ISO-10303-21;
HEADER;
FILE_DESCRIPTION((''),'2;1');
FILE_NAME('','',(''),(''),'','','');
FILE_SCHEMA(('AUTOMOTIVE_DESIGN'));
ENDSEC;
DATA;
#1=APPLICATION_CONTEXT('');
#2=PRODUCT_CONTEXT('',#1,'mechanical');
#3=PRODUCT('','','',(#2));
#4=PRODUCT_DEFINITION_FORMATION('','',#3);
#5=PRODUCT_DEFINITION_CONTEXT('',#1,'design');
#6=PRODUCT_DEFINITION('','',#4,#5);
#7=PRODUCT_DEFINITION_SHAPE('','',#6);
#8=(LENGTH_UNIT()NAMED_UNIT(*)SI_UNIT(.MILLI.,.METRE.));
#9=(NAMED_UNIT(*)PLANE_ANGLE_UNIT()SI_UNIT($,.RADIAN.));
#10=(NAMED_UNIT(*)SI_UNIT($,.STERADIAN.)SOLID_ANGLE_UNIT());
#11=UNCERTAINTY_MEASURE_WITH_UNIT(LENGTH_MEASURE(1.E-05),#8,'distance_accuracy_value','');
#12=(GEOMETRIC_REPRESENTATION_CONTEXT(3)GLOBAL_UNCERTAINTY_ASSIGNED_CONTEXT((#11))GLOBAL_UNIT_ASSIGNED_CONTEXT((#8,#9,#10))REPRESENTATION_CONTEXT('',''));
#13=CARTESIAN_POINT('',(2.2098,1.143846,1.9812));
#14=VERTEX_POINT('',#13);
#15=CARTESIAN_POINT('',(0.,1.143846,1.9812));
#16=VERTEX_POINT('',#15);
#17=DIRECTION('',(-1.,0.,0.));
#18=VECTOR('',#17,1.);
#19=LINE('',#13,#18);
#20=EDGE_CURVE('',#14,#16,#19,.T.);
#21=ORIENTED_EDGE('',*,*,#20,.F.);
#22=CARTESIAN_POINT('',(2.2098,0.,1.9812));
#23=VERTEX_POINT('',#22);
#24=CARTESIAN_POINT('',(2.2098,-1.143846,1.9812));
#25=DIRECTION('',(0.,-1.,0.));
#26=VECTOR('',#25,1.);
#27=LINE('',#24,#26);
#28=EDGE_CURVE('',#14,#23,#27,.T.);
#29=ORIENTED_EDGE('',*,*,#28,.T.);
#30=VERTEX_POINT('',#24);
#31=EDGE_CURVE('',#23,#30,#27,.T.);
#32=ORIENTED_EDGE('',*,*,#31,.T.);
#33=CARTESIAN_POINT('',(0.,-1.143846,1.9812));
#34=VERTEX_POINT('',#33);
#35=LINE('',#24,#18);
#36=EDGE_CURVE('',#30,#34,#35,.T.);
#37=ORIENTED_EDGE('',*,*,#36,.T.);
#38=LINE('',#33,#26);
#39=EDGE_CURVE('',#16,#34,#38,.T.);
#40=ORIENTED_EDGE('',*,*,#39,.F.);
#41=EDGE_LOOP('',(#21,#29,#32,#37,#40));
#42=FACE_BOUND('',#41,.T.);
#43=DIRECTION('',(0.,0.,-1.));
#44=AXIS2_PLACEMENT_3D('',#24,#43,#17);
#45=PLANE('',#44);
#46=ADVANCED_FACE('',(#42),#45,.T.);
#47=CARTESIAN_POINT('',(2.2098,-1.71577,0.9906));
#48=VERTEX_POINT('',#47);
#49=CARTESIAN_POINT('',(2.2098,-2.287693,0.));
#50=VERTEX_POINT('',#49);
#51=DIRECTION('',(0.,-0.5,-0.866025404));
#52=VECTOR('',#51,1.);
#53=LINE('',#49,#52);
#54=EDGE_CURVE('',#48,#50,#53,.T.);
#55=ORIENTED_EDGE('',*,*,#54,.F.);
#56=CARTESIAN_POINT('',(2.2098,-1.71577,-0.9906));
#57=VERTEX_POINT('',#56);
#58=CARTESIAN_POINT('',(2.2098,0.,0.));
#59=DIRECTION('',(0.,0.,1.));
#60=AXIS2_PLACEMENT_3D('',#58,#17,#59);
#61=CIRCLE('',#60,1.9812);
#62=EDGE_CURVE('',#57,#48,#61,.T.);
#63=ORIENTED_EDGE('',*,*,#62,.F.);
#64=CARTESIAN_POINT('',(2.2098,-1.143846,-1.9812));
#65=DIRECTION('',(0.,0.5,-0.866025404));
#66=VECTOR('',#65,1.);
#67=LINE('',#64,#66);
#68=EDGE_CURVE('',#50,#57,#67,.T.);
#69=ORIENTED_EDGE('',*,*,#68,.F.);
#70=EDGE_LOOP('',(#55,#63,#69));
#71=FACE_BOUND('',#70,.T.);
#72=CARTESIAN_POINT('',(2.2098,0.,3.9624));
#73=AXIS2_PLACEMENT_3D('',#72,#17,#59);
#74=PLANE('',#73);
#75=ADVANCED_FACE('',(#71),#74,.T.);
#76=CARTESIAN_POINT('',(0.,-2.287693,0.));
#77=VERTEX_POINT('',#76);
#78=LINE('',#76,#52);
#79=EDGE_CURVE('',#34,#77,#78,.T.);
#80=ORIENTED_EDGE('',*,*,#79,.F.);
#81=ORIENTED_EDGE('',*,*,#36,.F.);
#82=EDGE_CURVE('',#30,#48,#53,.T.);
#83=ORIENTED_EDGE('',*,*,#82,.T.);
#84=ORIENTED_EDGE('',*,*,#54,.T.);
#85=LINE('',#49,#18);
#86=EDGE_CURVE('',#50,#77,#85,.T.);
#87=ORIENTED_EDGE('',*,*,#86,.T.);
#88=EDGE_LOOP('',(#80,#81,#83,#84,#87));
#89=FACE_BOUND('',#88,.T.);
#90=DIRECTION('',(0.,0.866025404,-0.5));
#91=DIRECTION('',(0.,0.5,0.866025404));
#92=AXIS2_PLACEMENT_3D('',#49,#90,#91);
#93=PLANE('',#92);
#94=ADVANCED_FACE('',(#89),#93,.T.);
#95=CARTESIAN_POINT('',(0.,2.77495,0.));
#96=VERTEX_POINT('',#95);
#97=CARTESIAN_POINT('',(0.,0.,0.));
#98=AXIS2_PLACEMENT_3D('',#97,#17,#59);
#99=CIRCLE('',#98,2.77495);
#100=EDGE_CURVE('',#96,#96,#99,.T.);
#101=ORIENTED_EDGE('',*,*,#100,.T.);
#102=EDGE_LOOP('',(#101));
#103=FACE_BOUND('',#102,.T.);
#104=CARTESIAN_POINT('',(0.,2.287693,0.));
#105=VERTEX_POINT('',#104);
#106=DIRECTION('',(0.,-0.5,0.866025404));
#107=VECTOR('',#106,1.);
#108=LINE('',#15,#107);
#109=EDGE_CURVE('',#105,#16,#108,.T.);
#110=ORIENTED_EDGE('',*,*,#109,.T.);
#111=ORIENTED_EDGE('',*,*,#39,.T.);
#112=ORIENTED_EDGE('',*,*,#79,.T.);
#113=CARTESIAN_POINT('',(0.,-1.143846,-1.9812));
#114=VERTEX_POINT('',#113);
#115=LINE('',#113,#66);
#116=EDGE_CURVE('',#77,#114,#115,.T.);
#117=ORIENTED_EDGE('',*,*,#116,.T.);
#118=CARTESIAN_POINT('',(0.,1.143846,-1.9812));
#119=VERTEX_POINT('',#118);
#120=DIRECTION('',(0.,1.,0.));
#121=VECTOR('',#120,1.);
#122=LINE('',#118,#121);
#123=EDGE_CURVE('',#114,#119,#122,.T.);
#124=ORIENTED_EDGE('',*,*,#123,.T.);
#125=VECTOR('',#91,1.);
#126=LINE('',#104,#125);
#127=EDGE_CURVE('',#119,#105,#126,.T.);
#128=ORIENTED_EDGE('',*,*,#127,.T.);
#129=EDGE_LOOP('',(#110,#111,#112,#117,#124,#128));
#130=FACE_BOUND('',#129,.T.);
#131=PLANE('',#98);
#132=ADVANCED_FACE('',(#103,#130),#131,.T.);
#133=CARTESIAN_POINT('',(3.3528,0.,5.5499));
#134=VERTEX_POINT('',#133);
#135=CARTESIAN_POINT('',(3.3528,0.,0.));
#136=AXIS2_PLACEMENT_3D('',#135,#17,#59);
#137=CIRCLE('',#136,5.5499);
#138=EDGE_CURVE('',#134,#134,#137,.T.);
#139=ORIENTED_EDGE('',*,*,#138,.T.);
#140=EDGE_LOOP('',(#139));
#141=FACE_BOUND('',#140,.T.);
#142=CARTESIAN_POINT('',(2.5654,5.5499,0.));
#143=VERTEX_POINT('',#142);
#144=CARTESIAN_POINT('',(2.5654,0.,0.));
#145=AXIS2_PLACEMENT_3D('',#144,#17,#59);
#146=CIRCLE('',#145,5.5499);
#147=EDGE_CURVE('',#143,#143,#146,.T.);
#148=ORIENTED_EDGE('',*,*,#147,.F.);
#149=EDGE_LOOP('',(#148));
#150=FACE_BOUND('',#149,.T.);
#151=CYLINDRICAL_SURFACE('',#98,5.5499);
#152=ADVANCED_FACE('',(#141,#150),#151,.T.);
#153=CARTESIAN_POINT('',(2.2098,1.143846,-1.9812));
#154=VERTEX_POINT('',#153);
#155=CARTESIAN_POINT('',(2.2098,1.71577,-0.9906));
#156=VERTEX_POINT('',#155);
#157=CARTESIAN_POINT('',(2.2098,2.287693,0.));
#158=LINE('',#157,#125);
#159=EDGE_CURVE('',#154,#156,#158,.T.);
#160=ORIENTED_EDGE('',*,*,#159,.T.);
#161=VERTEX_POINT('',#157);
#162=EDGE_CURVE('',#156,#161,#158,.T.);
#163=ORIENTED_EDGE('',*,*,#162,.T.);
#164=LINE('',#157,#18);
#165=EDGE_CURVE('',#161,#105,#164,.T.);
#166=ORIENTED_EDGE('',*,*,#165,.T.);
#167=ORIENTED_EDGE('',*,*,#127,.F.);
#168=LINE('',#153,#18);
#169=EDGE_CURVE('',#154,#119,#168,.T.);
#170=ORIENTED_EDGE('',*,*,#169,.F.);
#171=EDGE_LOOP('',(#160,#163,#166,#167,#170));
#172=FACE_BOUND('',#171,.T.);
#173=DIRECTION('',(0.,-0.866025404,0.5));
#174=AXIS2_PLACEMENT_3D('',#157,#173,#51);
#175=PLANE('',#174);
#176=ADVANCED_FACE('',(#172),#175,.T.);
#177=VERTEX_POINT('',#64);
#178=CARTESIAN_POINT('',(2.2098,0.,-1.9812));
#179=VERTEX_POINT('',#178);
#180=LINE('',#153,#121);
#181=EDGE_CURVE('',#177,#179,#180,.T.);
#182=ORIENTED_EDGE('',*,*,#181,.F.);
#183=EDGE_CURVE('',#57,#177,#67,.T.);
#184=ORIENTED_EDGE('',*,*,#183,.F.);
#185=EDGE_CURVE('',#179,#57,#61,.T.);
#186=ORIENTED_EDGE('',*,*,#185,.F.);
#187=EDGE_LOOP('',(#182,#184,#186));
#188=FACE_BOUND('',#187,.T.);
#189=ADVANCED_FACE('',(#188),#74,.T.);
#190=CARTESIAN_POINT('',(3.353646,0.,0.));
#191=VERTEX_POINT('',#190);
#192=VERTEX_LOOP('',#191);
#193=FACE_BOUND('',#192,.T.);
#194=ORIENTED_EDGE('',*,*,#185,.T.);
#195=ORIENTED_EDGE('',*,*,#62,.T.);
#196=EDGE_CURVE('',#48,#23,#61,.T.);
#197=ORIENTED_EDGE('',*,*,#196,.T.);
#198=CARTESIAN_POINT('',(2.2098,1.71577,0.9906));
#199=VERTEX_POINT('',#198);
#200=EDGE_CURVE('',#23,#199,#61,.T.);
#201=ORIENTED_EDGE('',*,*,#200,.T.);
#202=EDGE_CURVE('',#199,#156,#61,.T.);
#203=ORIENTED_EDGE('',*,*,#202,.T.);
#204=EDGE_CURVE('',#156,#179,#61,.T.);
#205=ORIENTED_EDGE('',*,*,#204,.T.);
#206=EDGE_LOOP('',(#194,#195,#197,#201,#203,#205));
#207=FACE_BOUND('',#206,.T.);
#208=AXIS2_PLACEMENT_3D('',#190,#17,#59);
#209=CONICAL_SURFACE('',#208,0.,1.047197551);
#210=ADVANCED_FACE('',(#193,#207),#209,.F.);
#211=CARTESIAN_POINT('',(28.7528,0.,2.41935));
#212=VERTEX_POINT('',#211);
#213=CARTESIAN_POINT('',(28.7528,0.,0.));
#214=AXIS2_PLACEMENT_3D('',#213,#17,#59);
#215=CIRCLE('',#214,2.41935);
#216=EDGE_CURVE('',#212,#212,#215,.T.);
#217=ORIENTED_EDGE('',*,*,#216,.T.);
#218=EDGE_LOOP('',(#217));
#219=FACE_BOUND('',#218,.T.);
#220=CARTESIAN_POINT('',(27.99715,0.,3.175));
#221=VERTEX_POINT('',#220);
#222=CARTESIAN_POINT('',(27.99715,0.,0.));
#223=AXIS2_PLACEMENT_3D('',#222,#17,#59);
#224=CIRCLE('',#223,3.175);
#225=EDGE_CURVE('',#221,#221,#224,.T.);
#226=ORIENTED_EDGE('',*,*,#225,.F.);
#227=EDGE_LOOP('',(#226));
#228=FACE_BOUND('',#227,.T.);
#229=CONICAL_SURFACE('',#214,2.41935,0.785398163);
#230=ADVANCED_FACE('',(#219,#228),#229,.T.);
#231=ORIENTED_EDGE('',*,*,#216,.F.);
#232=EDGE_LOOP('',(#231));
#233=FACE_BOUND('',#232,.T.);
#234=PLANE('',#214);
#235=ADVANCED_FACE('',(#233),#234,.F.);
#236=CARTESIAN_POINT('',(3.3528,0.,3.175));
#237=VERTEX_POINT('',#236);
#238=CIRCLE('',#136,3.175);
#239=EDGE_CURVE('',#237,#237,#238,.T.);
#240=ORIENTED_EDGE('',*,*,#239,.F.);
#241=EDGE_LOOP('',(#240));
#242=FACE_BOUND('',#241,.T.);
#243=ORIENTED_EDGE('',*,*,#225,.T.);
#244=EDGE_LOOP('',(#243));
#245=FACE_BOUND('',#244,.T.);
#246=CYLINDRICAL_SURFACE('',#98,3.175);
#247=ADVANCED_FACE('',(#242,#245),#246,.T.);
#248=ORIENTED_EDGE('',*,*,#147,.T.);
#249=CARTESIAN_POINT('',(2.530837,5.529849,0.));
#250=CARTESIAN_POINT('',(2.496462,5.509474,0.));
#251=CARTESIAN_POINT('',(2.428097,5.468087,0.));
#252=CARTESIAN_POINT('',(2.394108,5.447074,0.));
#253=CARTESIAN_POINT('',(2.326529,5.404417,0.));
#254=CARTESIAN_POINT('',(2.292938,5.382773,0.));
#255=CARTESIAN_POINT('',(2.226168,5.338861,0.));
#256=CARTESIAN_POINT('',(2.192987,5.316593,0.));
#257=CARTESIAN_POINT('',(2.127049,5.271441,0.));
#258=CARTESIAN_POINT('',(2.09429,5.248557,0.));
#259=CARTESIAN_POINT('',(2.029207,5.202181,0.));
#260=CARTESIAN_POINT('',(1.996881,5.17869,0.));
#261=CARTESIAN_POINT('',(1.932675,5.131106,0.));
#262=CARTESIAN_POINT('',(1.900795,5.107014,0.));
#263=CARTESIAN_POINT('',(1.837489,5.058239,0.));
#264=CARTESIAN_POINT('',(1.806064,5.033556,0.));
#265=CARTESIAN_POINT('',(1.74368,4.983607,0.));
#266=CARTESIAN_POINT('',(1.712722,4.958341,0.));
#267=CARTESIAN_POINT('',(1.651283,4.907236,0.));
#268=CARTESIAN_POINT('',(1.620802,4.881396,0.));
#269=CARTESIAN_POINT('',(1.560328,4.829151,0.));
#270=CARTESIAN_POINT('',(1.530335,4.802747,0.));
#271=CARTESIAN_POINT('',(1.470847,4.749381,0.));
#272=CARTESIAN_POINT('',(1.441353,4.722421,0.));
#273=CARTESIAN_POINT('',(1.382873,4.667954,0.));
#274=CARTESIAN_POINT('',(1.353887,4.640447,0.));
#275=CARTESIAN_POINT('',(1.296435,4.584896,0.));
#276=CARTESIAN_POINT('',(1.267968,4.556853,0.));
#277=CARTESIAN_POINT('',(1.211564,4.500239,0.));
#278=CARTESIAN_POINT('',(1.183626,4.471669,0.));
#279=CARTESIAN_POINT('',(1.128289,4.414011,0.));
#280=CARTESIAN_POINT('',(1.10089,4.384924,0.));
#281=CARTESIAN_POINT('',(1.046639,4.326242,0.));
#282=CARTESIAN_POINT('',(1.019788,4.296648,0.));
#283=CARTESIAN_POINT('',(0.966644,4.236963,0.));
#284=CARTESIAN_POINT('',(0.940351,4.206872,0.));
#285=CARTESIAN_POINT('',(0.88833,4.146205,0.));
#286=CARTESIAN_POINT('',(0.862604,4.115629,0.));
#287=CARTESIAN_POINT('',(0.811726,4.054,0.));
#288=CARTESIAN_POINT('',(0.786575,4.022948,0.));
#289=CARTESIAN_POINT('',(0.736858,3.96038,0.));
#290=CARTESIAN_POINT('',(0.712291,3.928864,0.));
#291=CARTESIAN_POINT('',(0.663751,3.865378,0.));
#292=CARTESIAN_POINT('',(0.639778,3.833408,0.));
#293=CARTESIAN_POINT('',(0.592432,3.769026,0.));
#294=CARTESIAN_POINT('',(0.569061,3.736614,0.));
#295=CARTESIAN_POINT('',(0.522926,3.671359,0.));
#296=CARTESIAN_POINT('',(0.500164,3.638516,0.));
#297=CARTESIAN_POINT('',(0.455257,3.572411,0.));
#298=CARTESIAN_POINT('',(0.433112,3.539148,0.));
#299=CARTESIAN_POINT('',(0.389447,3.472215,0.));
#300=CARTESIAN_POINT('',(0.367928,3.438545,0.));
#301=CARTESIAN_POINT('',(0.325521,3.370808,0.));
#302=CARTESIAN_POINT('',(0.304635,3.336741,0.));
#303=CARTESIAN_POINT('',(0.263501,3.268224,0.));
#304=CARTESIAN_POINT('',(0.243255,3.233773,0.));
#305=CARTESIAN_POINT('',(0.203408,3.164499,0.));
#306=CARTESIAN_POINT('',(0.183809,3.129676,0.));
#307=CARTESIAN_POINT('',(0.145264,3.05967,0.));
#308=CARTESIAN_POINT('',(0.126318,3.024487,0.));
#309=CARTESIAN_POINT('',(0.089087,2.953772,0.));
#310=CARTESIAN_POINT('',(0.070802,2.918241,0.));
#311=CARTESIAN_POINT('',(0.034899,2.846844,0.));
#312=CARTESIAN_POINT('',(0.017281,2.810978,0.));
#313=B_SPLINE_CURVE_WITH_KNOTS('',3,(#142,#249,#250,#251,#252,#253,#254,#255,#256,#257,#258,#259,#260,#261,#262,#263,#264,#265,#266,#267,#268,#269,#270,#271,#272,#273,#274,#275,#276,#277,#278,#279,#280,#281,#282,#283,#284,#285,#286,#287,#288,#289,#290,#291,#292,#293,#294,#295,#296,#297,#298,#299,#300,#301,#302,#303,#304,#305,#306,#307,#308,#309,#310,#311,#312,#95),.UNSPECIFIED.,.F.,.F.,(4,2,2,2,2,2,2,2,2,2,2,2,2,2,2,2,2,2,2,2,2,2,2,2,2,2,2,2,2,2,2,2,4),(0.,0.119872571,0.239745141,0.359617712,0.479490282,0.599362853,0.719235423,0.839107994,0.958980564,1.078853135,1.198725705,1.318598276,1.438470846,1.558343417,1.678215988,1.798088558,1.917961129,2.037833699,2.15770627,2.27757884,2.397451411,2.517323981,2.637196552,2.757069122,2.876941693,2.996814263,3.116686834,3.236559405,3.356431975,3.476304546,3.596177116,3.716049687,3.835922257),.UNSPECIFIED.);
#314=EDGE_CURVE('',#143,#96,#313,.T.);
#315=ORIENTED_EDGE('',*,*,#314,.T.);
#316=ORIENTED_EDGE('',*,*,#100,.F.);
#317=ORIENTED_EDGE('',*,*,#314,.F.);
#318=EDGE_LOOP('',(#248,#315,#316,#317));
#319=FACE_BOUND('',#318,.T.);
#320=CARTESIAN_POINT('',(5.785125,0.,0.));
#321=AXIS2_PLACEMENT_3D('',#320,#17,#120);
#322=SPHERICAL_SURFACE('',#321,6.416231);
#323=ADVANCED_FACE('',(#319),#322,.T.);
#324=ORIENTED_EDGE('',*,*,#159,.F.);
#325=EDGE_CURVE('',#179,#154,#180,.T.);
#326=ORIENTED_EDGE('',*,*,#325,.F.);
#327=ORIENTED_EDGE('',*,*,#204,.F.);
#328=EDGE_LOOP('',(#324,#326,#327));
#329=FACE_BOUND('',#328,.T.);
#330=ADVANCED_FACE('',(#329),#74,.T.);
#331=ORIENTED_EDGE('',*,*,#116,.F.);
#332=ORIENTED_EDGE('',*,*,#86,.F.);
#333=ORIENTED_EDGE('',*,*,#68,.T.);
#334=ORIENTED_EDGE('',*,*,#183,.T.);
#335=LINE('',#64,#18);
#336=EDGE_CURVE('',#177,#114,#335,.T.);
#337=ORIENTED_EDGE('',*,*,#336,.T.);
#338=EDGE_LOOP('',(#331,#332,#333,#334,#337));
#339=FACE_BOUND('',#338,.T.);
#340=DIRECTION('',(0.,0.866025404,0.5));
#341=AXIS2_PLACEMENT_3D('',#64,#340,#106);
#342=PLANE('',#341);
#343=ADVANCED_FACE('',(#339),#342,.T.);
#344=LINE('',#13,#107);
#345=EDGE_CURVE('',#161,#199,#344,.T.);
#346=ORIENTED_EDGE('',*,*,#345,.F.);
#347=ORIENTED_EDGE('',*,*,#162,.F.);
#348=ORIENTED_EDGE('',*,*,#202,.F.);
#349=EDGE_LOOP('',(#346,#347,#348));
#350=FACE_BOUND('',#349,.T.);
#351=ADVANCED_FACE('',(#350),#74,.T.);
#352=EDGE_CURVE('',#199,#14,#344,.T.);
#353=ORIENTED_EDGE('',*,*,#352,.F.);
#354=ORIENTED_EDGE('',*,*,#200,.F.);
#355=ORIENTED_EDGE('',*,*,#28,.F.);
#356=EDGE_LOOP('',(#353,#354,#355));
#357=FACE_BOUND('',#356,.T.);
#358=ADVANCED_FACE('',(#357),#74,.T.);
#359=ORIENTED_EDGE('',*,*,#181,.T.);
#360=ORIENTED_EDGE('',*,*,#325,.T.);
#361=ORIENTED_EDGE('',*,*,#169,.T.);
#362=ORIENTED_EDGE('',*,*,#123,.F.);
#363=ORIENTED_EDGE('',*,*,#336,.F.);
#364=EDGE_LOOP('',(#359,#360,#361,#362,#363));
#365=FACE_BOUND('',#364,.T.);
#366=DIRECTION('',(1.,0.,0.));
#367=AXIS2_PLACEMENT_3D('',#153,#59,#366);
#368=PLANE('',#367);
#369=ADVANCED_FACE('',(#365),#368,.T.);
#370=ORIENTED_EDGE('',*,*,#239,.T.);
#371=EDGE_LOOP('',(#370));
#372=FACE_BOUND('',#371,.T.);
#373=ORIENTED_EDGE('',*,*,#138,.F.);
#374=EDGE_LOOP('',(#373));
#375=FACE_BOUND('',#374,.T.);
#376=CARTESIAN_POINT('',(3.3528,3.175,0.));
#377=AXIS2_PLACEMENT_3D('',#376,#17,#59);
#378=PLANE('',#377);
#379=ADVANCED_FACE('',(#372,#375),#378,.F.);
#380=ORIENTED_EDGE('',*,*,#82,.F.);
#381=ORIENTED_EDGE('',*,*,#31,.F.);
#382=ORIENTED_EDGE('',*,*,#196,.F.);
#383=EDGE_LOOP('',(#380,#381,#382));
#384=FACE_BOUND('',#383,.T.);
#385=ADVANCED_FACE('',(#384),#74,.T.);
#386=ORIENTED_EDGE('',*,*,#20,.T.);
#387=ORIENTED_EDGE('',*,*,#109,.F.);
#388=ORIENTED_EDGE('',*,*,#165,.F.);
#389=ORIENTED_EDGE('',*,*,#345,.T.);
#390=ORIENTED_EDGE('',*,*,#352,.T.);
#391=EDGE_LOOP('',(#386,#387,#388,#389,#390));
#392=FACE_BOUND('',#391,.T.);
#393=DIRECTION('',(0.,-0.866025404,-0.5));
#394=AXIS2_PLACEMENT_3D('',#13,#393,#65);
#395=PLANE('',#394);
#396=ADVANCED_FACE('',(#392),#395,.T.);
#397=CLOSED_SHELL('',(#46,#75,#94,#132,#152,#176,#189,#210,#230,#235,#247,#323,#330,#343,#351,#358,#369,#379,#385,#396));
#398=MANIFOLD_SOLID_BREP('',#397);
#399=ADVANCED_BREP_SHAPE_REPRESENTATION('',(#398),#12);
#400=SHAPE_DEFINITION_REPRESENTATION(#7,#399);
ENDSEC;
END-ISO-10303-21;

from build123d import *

# Parameters (mm, degrees)
HEX_2_DEPTH = 2.2098


with BuildPart() as part:
    # BodySke → BaseBody (revolve)
    with BuildSketch(Plane.XY, mode=Mode.PRIVATE) as basebody_sk:
        with BuildLine():
            Line((28.7528, 0), (28.7528, 2.41935))
            Line((28.7528, 2.41935), (27.99715, 3.175))
            Line((27.99715, 3.175), (3.3528, 3.175))
            Line((3.3528, 3.175), (3.3528, 5.5499))
            Line((3.3528, 5.5499), (2.5654, 5.5499))
            ThreePointArc((2.5654, 5.5499), (1.073764503, 4.355582759), (0, 2.77495))
            Line((0, 2.77495), (0, 0))
            Line((0, 0), (28.7528, 0))
        make_face()
    revolve(basebody_sk.sketch.rotate(Axis((0, 0, 0), (1, 0, 0)), 90), axis=Axis((0, 0, 0), (1, 0, 0)))

    # Sketch2 → PreBroach (revolve, cut)
    with BuildSketch(Plane.XY, mode=Mode.PRIVATE) as prebroach_sk:
        Polygon((0, 1.9812), (2.2098, 1.9812), (3.353646353, 0), (0, 0), align=None)
    revolve(prebroach_sk.sketch.rotate(Axis((0, 0, 0), (1, 0, 0)), 90), axis=Axis((0, 0, 0), (1, 0, 0)), mode=Mode.SUBTRACT)

    # Sketch3 → Hex 2 (cut)
    with BuildSketch(Plane(origin=(0, 0, 0), x_dir=(0, 0, -1), z_dir=(1, 0, 0))):
        Polygon((-1.9812, -1.143846353), (-1.9812, 1.143846353), (0, 2.287692707), (1.9812, 1.143846353), (1.9812, -1.143846353), (0, -2.287692707), align=None)
    extrude(amount=HEX_2_DEPTH, mode=Mode.SUBTRACT)


solid = part.part
